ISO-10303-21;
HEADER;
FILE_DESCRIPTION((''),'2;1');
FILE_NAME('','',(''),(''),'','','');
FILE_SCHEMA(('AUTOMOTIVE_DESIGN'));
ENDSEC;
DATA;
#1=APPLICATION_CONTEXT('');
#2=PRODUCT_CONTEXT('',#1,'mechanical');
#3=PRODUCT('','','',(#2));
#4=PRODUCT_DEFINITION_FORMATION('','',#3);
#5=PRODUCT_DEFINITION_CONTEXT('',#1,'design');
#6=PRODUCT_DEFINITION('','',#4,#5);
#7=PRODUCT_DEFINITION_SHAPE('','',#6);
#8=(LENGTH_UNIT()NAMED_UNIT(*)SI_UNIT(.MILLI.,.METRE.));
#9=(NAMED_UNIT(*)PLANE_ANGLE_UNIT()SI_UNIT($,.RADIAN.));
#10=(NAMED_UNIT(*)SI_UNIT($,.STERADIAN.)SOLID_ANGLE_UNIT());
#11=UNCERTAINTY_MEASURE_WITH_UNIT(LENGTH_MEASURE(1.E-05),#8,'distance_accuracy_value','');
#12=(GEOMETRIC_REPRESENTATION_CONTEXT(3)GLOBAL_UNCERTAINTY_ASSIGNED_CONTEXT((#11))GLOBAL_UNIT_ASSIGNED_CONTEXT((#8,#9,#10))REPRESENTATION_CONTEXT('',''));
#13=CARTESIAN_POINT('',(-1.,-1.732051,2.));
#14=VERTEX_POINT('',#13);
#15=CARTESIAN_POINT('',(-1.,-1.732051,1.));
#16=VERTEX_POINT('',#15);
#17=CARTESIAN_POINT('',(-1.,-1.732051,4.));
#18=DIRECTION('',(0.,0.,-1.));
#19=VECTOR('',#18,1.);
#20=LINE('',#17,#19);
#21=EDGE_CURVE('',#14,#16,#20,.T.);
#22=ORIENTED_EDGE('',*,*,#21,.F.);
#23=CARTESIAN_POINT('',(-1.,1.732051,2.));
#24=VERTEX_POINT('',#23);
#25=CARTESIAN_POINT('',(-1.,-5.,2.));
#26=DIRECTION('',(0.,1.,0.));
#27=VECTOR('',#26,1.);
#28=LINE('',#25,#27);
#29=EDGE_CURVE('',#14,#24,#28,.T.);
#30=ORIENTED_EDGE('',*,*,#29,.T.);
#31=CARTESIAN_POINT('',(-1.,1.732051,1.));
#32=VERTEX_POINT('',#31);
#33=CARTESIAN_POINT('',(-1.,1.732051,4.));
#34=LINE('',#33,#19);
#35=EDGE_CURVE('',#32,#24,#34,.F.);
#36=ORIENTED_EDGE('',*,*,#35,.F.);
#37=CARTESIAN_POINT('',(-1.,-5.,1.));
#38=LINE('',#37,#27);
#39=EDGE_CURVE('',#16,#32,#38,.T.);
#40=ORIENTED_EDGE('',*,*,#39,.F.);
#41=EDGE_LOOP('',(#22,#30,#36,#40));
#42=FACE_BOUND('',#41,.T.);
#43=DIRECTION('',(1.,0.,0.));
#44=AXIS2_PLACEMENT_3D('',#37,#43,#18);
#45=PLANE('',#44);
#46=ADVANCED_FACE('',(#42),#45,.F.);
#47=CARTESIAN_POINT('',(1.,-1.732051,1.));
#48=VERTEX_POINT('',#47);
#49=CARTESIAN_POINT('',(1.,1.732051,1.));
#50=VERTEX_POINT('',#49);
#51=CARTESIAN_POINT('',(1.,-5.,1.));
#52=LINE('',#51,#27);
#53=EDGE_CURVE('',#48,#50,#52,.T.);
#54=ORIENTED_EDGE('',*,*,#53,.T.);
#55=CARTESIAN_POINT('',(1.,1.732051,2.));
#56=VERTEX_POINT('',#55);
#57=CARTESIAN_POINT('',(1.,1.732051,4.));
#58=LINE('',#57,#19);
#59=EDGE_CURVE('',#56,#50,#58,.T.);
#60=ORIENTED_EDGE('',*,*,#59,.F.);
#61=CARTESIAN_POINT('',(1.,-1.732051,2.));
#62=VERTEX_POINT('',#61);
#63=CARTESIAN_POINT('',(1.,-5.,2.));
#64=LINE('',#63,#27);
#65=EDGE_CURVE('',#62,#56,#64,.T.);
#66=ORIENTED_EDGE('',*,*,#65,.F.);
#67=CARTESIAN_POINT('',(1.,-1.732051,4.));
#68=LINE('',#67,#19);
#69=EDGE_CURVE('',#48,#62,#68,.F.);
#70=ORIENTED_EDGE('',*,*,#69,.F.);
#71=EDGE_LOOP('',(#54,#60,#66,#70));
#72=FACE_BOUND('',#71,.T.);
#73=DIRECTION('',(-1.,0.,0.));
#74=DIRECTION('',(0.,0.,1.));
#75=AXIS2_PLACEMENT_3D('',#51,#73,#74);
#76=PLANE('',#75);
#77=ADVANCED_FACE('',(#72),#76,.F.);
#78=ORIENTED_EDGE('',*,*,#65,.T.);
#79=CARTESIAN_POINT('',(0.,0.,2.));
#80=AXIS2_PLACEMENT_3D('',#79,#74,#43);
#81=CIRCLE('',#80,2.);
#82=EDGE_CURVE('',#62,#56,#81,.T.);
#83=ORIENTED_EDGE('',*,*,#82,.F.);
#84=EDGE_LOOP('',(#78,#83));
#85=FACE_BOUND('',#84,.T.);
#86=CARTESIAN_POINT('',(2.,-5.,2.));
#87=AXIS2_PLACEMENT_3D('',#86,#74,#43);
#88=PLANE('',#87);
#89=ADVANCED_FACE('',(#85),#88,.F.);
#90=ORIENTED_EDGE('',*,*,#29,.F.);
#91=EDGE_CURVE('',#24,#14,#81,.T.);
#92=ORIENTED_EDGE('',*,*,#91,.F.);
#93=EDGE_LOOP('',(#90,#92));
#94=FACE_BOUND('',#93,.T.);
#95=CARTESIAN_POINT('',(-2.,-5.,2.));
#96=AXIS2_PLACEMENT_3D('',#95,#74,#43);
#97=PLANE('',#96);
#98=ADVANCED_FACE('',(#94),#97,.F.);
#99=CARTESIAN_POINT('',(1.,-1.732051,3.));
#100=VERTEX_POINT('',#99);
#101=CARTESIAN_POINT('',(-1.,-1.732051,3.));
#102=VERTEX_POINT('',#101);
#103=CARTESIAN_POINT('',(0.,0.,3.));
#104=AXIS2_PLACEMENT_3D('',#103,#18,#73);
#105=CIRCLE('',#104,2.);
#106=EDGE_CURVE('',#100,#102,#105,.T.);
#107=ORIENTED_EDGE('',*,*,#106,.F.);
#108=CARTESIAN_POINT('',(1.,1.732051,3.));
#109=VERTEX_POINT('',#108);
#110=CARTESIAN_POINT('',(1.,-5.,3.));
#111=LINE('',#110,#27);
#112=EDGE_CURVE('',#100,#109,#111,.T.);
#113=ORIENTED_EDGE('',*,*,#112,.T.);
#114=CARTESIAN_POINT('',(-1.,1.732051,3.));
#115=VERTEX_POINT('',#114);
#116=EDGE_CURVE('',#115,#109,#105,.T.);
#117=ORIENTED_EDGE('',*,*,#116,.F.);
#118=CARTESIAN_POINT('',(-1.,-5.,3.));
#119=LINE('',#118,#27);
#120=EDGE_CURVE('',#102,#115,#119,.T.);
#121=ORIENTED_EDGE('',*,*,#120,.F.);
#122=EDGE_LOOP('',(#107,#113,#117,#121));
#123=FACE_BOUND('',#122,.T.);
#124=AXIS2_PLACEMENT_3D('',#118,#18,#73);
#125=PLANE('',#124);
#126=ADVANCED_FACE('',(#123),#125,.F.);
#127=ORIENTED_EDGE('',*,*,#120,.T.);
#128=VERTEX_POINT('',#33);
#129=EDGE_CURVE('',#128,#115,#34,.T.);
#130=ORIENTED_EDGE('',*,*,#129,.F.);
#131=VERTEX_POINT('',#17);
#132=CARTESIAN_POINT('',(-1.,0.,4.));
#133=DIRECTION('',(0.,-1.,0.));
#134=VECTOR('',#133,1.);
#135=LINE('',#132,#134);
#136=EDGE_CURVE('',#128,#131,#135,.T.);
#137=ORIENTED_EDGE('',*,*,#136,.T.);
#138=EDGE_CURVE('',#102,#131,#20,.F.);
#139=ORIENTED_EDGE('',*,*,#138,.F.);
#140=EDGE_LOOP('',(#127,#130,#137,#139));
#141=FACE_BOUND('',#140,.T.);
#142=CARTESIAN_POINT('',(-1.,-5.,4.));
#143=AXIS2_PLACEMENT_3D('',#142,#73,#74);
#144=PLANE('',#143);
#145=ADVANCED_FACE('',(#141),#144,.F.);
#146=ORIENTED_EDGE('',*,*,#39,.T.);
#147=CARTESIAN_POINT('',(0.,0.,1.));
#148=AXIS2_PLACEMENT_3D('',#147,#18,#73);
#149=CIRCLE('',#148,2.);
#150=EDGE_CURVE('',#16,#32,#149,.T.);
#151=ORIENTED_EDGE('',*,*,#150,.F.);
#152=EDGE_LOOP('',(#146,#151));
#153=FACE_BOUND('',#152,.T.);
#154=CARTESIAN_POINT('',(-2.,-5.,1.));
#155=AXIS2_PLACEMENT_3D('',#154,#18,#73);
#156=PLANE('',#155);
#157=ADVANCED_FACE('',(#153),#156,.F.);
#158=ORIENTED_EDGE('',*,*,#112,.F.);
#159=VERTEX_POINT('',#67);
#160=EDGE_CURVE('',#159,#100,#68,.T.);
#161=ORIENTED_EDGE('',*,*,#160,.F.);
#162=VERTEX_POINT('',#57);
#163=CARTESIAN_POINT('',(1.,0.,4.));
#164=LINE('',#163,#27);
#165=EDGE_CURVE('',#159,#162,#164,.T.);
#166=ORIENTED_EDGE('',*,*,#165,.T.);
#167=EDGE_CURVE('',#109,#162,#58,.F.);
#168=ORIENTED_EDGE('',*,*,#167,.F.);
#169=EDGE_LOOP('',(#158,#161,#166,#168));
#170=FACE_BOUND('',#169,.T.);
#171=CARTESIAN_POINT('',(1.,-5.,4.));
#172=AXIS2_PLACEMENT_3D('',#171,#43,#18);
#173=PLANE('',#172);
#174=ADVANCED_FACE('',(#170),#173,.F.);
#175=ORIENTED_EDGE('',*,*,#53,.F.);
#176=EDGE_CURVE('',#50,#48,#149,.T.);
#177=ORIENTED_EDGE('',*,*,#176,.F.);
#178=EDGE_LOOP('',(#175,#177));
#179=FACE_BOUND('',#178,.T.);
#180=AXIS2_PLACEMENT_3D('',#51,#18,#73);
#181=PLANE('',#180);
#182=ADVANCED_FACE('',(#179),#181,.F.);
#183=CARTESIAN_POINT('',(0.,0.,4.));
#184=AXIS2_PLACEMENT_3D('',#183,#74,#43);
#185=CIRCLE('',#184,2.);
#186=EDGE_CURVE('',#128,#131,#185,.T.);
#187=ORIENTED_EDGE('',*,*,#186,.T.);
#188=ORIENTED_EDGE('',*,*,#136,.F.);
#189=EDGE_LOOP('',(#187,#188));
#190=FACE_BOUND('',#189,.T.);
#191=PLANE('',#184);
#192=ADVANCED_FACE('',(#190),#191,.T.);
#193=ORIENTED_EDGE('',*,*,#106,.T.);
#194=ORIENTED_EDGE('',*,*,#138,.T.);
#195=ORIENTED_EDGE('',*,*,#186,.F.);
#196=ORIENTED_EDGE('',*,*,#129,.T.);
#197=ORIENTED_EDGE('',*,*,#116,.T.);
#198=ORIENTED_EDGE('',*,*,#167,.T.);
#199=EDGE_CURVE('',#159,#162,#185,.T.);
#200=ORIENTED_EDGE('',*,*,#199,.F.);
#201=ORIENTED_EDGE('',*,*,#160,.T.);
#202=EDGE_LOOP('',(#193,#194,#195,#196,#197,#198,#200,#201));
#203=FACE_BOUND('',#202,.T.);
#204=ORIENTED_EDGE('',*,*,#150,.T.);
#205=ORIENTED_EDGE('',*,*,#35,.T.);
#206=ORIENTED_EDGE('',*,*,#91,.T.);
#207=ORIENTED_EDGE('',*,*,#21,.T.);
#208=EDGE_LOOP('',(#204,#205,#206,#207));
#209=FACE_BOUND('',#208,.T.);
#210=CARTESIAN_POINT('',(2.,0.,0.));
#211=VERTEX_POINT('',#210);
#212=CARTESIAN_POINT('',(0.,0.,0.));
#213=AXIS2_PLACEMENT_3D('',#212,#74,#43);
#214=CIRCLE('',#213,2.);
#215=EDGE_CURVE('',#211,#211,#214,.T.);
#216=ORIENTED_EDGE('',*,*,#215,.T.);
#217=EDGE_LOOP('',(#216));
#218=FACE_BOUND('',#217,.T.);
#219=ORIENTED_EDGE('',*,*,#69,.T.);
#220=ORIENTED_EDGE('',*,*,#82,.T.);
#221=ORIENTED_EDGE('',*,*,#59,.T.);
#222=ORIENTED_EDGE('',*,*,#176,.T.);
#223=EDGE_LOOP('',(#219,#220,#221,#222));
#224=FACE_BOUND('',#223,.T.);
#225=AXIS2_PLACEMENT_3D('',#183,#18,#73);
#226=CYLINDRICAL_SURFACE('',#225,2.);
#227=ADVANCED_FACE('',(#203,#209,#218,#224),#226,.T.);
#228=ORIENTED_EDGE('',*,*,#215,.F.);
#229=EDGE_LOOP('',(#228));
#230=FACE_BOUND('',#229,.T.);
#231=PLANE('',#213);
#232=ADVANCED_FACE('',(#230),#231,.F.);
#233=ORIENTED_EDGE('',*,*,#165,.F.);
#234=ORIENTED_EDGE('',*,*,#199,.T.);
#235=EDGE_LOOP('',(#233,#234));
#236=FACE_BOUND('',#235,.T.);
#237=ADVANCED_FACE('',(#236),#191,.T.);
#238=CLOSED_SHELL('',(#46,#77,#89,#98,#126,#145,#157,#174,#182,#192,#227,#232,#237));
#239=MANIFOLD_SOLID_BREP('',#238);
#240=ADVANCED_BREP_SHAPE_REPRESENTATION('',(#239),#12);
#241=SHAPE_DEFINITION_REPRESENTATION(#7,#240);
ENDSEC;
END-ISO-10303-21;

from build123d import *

# Parameters (mm, degrees)
SKETCH1_R           = 2
BOSS_EXTRUDE1_DEPTH = 4
SKETCH2_W           = 1
SKETCH2_H           = 1
SKETCH2_W_2         = 2
CUT_EXTRUDE1_DEPTH  = 5


with BuildPart() as part:
    # Sketch1 → Boss-Extrude1 (new body)
    with BuildSketch(Plane.XY):
        Circle(SKETCH1_R)
    extrude(amount=BOSS_EXTRUDE1_DEPTH)

    # Sketch2 → Cut-Extrude1 (cut, symmetric)
    with BuildSketch(Plane(origin=(0, 0, 0), x_dir=(1, 0, 0), z_dir=(0, 1, 0))):
        with Locations((-1.5, -1.5)):
            Rectangle(SKETCH2_W, SKETCH2_H)
        with Locations((1.5, -1.5)):
            Rectangle(SKETCH2_W, SKETCH2_H)
        with Locations((0, -3.5)):
            Rectangle(SKETCH2_W_2, SKETCH2_H)
    extrude(amount=CUT_EXTRUDE1_DEPTH, both=True, mode=Mode.SUBTRACT)


solid = part.part
